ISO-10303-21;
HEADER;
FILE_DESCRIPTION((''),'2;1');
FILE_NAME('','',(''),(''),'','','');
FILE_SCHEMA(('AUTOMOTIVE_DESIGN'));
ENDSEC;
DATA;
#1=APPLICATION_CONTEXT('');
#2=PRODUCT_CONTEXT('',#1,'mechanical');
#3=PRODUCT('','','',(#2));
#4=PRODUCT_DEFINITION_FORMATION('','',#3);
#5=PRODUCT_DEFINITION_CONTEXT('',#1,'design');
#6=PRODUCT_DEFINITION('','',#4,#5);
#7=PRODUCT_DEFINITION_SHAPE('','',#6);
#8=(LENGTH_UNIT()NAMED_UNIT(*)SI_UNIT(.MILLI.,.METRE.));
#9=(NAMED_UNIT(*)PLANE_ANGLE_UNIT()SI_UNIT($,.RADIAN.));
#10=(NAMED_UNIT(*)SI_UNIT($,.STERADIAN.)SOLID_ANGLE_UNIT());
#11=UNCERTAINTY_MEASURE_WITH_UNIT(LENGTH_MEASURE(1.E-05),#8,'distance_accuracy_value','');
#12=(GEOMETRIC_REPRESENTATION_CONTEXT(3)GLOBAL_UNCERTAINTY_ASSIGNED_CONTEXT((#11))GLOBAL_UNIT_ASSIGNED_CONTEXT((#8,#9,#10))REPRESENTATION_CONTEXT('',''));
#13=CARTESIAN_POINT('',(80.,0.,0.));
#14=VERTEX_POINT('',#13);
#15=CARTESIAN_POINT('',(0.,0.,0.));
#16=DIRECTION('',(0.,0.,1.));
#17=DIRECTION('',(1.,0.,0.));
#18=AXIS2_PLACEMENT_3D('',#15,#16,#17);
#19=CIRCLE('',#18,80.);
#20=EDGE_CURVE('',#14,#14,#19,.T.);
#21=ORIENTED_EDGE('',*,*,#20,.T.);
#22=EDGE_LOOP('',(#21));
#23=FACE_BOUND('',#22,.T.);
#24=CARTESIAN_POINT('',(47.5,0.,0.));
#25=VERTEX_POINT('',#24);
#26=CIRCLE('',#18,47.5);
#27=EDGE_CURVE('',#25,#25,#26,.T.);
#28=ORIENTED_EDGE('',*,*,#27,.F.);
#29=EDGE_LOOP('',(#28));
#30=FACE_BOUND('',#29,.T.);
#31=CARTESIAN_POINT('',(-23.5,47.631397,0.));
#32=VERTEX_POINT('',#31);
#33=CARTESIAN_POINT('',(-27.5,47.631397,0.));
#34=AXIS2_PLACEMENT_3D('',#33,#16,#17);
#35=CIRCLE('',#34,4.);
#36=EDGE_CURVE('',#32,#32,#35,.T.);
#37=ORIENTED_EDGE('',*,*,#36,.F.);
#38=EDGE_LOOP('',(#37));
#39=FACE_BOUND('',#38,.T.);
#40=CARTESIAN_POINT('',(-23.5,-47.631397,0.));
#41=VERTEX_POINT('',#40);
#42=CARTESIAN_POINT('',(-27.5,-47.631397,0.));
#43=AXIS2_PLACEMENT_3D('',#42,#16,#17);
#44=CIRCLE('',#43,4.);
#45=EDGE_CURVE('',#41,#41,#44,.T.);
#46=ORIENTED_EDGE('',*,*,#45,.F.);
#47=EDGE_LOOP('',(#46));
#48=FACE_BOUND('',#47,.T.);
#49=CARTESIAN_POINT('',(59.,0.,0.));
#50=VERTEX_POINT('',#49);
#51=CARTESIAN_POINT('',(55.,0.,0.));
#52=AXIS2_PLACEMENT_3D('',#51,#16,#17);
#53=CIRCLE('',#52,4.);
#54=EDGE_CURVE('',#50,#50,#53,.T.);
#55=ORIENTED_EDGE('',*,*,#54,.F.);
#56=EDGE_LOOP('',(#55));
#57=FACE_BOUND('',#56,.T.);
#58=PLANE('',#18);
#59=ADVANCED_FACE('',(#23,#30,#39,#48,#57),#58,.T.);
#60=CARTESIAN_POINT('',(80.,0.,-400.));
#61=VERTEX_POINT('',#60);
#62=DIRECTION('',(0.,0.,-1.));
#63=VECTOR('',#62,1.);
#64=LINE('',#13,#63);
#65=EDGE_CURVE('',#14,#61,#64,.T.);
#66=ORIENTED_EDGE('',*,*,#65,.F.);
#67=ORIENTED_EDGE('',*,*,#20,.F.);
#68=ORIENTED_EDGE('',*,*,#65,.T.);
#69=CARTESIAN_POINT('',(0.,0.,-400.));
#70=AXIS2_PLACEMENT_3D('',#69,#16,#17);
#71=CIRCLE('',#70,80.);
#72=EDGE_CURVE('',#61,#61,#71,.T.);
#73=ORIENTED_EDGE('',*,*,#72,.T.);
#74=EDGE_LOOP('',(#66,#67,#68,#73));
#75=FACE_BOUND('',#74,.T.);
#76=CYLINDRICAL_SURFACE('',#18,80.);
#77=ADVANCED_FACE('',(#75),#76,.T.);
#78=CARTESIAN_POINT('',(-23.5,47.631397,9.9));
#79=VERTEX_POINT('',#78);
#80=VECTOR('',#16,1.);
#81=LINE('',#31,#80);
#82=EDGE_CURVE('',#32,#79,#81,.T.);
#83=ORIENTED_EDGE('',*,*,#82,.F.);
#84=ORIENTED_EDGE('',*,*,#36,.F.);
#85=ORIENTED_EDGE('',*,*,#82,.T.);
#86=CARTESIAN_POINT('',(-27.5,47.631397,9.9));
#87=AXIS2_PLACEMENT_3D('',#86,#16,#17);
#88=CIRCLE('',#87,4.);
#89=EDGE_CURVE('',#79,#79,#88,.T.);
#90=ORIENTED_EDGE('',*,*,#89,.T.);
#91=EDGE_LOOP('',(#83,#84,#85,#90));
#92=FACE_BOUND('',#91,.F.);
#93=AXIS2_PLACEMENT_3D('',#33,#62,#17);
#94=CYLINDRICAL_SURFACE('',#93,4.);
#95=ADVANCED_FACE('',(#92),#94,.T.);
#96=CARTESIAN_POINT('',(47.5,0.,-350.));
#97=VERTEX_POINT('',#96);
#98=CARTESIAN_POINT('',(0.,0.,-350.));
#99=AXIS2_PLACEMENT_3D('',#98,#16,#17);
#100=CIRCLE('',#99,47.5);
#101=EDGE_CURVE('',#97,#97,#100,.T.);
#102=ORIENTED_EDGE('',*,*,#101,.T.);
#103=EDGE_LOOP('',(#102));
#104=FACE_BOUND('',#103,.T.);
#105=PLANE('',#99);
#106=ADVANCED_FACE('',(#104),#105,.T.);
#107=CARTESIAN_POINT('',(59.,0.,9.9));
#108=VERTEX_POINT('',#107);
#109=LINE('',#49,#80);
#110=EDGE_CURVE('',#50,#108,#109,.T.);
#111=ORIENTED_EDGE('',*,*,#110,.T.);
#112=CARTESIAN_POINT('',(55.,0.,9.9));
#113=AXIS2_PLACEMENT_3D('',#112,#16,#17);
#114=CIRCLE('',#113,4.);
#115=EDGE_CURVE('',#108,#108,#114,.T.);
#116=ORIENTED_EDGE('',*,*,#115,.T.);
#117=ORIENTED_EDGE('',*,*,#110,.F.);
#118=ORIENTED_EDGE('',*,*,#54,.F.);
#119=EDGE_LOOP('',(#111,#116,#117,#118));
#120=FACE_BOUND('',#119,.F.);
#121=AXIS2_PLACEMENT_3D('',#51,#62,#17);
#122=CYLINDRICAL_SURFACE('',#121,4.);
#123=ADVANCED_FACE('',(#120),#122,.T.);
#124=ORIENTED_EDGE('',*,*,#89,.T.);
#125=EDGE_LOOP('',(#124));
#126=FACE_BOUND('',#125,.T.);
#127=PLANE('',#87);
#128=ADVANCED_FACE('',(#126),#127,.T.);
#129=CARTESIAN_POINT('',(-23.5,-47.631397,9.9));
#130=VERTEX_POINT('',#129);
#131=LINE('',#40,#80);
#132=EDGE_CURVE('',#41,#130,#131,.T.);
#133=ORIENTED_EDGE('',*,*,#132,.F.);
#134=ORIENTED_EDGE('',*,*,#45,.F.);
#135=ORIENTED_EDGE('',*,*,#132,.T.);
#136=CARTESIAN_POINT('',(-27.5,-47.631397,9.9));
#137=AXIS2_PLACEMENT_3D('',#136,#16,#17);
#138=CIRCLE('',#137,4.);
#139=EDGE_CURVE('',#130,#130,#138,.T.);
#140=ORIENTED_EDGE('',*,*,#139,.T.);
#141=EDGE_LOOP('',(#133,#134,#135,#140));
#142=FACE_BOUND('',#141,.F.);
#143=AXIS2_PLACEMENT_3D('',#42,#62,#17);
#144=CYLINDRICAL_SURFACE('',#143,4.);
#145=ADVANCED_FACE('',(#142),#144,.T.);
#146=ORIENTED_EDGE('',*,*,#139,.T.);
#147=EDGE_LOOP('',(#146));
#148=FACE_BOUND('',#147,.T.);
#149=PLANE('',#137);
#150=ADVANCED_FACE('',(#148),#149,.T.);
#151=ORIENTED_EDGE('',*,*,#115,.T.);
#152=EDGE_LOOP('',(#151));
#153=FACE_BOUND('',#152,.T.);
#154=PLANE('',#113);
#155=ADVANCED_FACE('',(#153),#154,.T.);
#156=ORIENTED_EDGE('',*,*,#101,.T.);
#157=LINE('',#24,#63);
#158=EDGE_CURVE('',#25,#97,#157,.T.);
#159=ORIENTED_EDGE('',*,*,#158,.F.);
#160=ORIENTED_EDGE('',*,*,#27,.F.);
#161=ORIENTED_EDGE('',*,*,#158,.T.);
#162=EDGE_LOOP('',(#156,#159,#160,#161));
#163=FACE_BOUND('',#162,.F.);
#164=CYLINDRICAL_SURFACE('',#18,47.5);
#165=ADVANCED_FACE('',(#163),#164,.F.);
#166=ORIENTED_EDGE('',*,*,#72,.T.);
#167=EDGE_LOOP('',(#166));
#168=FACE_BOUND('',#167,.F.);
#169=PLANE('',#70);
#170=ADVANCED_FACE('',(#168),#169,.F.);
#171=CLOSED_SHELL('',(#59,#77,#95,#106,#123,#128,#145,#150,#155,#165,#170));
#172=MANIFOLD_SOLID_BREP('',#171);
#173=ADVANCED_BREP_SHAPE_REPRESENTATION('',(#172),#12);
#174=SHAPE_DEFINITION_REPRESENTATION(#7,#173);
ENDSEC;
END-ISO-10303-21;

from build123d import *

# Parameters (mm, degrees)
F0_R     = 80
F0_R_2   = 4
F0_R_3   = 47.5
F1_DEPTH = 400
F2_DEPTH = 9.9
F3_DEPTH = 350


with BuildPart() as f1:
    # F0 (on Top) → F1 (new body)
    with BuildSketch(Plane.XY):
        Circle(F0_R)
        with Locations((-27.5, -47.631397)):
            Circle(F0_R_2, mode=Mode.SUBTRACT)
        with Locations((-27.5, 47.631397)):
            Circle(F0_R_2, mode=Mode.SUBTRACT)
        Circle(F0_R_3, mode=Mode.SUBTRACT)
        with Locations((55, 0)):
            Circle(F0_R_2, mode=Mode.SUBTRACT)
        Circle(F0_R_3)
        with Locations((-27.5, 47.631397)):
            Circle(F0_R_2)
        with Locations((55, 0)):
            Circle(F0_R_2)
        with Locations((-27.5, -47.631397)):
            Circle(F0_R_2)
    extrude(amount=-F1_DEPTH)

    # F0 (on Top) → F2 (join)
    with BuildSketch(Plane.XY):
        with Locations((-27.5, -47.631397)):
            Circle(F0_R_2)
        with Locations((55, 0)):
            Circle(F0_R_2)
        with Locations((-27.5, 47.631397)):
            Circle(F0_R_2)
    extrude(amount=F2_DEPTH)

    # F0 (on Top) → F3 (cut)
    with BuildSketch(Plane.XY):
        Circle(F0_R_3)
    extrude(amount=-F3_DEPTH, mode=Mode.SUBTRACT)


solid = f1.part
